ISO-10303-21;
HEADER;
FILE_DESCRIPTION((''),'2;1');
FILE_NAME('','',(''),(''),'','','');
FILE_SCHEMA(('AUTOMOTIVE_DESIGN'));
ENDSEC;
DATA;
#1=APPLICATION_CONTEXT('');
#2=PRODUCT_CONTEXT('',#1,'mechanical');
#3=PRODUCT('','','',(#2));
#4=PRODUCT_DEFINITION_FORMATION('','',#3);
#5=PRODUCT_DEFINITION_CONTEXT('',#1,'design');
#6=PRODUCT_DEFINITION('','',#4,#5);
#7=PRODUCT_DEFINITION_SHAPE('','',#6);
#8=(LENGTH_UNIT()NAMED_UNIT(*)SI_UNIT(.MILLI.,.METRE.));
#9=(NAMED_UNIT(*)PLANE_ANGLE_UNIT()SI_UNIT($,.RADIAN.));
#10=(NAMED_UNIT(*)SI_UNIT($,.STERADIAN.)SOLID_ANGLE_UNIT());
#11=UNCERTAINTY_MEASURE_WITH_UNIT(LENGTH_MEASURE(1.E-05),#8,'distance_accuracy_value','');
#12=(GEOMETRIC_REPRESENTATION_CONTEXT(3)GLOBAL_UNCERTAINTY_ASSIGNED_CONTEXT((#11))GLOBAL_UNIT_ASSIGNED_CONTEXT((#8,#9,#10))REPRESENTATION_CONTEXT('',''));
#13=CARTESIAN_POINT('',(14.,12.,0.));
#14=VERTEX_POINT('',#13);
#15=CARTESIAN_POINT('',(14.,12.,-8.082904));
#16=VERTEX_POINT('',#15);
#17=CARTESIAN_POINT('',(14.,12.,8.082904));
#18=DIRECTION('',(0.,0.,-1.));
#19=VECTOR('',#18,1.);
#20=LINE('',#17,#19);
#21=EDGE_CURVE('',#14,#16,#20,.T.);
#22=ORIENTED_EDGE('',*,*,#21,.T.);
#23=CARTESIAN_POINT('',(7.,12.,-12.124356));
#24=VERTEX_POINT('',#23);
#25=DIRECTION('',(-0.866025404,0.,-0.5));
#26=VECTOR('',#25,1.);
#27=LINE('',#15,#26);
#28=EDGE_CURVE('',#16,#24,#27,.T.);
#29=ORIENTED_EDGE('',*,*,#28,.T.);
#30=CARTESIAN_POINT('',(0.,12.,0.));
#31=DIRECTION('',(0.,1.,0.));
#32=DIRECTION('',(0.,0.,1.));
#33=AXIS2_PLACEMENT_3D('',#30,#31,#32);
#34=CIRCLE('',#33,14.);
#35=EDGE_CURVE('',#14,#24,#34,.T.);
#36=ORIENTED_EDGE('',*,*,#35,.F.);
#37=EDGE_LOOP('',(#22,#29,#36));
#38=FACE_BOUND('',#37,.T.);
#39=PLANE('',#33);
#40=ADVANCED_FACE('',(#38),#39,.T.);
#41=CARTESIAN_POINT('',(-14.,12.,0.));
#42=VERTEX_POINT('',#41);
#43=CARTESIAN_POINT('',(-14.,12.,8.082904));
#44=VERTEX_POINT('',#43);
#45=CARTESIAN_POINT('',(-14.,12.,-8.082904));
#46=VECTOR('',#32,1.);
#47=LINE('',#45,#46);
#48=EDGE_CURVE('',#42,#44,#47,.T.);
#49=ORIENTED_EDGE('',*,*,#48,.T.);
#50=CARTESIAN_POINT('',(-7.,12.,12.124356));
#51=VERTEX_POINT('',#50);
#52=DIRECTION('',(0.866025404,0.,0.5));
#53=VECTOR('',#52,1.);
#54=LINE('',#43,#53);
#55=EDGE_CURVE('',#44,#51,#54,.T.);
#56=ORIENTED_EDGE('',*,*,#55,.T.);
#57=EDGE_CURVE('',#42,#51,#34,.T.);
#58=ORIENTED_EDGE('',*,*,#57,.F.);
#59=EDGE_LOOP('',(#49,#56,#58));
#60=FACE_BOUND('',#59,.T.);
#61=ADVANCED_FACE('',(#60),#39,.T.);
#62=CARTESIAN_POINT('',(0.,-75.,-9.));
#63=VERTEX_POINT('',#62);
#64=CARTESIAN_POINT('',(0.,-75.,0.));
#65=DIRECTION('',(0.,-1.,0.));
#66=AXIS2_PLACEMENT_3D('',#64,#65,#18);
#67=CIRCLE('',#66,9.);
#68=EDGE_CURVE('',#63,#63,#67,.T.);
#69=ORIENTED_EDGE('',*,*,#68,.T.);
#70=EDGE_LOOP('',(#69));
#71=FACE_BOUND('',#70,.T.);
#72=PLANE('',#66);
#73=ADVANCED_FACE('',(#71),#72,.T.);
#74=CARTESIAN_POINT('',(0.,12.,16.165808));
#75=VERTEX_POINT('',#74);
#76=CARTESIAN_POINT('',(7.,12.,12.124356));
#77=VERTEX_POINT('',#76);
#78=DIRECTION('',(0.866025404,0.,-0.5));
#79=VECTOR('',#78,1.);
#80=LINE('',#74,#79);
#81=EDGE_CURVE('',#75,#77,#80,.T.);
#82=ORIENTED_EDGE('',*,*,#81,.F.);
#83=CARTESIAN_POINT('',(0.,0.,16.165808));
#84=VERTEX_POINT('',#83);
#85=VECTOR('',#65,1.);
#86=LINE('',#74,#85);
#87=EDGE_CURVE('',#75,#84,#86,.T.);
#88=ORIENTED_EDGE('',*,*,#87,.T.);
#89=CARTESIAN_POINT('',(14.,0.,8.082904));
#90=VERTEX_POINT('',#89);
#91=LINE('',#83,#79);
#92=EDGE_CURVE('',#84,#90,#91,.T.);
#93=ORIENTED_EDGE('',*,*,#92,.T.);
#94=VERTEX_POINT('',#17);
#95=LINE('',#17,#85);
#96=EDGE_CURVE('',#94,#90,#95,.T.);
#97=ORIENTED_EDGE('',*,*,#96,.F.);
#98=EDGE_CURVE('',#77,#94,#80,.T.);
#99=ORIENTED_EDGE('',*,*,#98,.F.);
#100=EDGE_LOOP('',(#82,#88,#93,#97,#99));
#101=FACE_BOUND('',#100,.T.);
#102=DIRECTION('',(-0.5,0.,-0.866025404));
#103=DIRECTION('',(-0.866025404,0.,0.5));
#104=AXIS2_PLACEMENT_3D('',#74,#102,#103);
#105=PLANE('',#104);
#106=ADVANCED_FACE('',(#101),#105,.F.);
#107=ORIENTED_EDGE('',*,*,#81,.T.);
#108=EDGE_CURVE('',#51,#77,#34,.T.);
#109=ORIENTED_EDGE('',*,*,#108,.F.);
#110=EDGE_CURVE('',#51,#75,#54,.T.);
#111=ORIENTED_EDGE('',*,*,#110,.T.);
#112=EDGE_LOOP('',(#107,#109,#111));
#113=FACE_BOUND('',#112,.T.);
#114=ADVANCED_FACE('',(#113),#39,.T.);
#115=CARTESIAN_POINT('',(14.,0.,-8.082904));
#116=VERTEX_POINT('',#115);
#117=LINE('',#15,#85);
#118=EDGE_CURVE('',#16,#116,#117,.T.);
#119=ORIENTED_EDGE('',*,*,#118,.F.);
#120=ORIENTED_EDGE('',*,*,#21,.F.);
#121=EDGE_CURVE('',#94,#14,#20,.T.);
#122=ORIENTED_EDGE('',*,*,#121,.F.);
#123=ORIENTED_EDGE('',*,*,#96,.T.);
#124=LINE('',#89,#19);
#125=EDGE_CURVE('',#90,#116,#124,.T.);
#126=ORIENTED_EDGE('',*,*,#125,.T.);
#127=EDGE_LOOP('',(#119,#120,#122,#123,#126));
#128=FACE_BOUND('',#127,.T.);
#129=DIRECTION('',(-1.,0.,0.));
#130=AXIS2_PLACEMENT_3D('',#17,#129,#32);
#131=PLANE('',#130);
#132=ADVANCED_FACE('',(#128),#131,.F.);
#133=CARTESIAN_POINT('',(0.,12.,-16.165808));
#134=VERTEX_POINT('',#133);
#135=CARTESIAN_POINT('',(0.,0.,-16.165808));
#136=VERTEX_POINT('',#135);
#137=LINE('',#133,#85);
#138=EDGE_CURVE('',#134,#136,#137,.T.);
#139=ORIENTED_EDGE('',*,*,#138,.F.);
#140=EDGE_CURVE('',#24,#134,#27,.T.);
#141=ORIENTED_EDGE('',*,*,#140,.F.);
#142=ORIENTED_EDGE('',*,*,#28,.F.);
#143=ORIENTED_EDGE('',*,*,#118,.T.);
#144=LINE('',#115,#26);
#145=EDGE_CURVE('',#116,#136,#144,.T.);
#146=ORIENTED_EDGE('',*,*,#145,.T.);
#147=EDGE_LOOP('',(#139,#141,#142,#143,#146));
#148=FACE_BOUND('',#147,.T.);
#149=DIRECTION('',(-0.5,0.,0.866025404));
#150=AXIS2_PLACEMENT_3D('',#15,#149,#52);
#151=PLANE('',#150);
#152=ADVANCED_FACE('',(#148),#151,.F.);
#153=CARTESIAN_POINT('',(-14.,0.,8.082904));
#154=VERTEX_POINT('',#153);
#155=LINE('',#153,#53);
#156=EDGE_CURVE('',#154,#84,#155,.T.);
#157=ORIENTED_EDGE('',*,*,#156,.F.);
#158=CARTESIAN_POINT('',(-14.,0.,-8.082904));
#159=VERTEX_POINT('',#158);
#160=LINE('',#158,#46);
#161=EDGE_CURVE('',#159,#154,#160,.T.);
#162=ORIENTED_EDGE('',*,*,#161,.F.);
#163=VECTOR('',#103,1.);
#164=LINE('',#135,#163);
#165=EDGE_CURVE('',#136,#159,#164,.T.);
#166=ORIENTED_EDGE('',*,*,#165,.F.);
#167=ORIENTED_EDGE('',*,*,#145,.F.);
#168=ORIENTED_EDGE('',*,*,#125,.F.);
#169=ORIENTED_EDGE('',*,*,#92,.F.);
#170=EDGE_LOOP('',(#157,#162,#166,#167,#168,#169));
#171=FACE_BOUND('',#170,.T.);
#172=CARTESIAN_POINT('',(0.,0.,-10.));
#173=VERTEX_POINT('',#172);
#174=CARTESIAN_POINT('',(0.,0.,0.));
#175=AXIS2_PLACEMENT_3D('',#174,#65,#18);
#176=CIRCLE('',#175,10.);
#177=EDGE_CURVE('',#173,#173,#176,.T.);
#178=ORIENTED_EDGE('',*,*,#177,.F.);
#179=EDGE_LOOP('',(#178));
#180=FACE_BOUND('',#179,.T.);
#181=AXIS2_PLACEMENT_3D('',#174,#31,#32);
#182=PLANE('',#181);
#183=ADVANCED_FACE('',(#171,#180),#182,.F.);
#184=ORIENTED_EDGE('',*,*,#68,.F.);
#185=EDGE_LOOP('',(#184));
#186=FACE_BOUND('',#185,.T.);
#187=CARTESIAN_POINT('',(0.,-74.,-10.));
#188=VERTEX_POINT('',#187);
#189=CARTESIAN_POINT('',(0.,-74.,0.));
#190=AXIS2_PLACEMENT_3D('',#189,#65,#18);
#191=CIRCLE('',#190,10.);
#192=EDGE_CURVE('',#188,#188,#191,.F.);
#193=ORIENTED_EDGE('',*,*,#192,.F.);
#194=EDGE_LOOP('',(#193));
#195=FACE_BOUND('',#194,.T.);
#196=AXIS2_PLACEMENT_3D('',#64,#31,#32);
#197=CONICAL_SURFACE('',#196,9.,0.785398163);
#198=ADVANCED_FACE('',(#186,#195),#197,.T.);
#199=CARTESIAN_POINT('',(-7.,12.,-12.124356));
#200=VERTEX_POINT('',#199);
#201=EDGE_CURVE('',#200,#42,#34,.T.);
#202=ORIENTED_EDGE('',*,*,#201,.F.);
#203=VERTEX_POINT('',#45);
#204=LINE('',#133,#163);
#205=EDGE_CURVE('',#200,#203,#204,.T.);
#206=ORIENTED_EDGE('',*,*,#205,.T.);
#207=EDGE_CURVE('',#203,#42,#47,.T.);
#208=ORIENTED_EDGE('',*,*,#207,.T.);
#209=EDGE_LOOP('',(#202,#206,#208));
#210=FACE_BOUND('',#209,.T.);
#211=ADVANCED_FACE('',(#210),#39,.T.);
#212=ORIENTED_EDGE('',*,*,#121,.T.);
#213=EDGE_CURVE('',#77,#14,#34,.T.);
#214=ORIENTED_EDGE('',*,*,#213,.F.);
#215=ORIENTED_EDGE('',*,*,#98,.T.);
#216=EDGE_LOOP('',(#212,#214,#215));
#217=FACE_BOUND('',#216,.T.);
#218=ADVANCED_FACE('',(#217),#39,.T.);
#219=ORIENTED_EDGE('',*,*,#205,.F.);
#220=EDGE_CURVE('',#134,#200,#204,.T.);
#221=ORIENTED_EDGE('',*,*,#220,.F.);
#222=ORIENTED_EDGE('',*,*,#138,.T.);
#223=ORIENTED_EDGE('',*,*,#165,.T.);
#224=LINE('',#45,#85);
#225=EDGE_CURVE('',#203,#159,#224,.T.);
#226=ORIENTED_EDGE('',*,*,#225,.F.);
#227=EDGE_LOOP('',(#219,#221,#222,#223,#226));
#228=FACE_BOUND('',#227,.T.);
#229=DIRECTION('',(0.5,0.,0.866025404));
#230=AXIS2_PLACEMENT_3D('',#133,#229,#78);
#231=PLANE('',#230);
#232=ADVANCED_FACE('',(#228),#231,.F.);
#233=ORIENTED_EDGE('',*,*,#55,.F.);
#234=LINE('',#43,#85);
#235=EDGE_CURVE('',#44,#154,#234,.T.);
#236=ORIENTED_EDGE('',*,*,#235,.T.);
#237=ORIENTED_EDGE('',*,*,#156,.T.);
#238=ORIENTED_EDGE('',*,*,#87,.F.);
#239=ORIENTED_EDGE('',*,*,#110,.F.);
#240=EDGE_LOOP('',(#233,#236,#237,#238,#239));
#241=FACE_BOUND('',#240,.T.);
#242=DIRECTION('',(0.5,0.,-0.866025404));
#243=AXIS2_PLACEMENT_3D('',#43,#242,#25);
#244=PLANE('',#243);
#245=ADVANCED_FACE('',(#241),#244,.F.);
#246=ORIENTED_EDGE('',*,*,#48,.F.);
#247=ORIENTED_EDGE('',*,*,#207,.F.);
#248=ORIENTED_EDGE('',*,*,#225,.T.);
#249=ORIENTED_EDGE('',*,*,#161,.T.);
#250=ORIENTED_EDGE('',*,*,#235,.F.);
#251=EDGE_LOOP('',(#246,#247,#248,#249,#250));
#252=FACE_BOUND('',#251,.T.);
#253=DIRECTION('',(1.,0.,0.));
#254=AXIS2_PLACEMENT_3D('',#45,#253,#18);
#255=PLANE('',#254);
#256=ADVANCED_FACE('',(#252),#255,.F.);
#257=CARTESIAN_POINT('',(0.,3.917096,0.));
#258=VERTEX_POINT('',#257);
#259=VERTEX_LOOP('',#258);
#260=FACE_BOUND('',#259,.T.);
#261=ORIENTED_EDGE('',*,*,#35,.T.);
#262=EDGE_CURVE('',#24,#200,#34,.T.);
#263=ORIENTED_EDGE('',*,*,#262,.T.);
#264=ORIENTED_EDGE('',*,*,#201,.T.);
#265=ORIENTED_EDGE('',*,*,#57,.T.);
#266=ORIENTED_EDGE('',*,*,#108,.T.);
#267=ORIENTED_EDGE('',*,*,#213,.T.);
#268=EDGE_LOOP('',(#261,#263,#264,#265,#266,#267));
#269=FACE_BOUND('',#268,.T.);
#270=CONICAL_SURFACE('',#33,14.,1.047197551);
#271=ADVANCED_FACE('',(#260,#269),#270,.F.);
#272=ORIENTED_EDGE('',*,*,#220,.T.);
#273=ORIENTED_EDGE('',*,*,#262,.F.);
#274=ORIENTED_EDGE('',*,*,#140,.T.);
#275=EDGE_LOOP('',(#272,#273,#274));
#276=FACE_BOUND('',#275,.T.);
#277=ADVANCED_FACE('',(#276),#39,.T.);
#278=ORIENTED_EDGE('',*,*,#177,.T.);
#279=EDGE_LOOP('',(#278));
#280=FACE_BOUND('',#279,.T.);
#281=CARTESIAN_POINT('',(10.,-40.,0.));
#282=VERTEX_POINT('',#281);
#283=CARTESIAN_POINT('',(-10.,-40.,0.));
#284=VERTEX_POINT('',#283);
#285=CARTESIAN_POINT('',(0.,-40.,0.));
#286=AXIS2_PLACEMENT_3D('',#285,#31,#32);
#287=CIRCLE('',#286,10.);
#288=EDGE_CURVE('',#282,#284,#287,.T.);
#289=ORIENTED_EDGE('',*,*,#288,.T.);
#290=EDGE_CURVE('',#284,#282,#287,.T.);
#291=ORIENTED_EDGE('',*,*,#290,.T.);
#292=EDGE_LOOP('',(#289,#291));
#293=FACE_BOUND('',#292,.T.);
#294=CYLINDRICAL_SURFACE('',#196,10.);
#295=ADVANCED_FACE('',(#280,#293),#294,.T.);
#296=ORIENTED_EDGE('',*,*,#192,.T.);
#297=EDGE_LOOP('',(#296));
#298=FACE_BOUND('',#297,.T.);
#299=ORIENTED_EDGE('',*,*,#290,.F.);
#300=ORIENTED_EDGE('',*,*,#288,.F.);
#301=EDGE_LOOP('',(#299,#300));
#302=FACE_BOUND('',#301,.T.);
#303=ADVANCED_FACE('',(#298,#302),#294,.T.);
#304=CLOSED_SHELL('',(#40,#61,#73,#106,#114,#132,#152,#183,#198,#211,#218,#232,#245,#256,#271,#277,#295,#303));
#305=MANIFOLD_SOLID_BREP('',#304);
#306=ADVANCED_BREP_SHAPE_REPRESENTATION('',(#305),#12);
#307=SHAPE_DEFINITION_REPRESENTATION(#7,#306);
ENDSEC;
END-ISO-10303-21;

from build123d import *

# Parameters (mm, degrees)
BOSS_EXTRUDE1_DEPTH = 12
SKETCH3_R           = 10
BOSS_EXTRUDE2_DEPTH = 75
CHAMFER1_SIZE       = 1


with BuildPart() as part:
    # Sketch1 → Boss-Extrude1 (new body)
    with BuildSketch(Plane(origin=(0, 0, 0), x_dir=(1, 0, 0), z_dir=(0, 1, 0))):
        Polygon((14, 8.082903769), (0, 16.165807537), (-14, 8.082903769), (-14, -8.082903769), (0, -16.165807537), (14, -8.082903769), align=None)
    extrude(amount=BOSS_EXTRUDE1_DEPTH)

    # Cut-Extrude1 cone 1 section (through the dimple's axis) → Cut-Extrude1 (revolve, cut)
    with BuildSketch(Plane(origin=(0, 12, 0), x_dir=(0, 0, 1), z_dir=(1, 0, 0))):
        Polygon((0, 0), (14, 0), (0, 8.082903769), align=None)
    revolve(axis=Axis((0, 12, 0), (0, -1, 0)), mode=Mode.SUBTRACT)

    # Sketch3 → Boss-Extrude2 (add)
    with BuildSketch(Plane.XZ):
        with Locations(Location((0, 0, 0), (0, 0, 270))):
            Circle(SKETCH3_R)
    extrude(amount=BOSS_EXTRUDE2_DEPTH)

    # Chamfer1
    chamfer1_edges = [part.edges().sort_by_distance(p)[0] for p in [
        (0, -75, 10),
    ]]
    chamfer(chamfer1_edges, length=CHAMFER1_SIZE)


solid = part.part
